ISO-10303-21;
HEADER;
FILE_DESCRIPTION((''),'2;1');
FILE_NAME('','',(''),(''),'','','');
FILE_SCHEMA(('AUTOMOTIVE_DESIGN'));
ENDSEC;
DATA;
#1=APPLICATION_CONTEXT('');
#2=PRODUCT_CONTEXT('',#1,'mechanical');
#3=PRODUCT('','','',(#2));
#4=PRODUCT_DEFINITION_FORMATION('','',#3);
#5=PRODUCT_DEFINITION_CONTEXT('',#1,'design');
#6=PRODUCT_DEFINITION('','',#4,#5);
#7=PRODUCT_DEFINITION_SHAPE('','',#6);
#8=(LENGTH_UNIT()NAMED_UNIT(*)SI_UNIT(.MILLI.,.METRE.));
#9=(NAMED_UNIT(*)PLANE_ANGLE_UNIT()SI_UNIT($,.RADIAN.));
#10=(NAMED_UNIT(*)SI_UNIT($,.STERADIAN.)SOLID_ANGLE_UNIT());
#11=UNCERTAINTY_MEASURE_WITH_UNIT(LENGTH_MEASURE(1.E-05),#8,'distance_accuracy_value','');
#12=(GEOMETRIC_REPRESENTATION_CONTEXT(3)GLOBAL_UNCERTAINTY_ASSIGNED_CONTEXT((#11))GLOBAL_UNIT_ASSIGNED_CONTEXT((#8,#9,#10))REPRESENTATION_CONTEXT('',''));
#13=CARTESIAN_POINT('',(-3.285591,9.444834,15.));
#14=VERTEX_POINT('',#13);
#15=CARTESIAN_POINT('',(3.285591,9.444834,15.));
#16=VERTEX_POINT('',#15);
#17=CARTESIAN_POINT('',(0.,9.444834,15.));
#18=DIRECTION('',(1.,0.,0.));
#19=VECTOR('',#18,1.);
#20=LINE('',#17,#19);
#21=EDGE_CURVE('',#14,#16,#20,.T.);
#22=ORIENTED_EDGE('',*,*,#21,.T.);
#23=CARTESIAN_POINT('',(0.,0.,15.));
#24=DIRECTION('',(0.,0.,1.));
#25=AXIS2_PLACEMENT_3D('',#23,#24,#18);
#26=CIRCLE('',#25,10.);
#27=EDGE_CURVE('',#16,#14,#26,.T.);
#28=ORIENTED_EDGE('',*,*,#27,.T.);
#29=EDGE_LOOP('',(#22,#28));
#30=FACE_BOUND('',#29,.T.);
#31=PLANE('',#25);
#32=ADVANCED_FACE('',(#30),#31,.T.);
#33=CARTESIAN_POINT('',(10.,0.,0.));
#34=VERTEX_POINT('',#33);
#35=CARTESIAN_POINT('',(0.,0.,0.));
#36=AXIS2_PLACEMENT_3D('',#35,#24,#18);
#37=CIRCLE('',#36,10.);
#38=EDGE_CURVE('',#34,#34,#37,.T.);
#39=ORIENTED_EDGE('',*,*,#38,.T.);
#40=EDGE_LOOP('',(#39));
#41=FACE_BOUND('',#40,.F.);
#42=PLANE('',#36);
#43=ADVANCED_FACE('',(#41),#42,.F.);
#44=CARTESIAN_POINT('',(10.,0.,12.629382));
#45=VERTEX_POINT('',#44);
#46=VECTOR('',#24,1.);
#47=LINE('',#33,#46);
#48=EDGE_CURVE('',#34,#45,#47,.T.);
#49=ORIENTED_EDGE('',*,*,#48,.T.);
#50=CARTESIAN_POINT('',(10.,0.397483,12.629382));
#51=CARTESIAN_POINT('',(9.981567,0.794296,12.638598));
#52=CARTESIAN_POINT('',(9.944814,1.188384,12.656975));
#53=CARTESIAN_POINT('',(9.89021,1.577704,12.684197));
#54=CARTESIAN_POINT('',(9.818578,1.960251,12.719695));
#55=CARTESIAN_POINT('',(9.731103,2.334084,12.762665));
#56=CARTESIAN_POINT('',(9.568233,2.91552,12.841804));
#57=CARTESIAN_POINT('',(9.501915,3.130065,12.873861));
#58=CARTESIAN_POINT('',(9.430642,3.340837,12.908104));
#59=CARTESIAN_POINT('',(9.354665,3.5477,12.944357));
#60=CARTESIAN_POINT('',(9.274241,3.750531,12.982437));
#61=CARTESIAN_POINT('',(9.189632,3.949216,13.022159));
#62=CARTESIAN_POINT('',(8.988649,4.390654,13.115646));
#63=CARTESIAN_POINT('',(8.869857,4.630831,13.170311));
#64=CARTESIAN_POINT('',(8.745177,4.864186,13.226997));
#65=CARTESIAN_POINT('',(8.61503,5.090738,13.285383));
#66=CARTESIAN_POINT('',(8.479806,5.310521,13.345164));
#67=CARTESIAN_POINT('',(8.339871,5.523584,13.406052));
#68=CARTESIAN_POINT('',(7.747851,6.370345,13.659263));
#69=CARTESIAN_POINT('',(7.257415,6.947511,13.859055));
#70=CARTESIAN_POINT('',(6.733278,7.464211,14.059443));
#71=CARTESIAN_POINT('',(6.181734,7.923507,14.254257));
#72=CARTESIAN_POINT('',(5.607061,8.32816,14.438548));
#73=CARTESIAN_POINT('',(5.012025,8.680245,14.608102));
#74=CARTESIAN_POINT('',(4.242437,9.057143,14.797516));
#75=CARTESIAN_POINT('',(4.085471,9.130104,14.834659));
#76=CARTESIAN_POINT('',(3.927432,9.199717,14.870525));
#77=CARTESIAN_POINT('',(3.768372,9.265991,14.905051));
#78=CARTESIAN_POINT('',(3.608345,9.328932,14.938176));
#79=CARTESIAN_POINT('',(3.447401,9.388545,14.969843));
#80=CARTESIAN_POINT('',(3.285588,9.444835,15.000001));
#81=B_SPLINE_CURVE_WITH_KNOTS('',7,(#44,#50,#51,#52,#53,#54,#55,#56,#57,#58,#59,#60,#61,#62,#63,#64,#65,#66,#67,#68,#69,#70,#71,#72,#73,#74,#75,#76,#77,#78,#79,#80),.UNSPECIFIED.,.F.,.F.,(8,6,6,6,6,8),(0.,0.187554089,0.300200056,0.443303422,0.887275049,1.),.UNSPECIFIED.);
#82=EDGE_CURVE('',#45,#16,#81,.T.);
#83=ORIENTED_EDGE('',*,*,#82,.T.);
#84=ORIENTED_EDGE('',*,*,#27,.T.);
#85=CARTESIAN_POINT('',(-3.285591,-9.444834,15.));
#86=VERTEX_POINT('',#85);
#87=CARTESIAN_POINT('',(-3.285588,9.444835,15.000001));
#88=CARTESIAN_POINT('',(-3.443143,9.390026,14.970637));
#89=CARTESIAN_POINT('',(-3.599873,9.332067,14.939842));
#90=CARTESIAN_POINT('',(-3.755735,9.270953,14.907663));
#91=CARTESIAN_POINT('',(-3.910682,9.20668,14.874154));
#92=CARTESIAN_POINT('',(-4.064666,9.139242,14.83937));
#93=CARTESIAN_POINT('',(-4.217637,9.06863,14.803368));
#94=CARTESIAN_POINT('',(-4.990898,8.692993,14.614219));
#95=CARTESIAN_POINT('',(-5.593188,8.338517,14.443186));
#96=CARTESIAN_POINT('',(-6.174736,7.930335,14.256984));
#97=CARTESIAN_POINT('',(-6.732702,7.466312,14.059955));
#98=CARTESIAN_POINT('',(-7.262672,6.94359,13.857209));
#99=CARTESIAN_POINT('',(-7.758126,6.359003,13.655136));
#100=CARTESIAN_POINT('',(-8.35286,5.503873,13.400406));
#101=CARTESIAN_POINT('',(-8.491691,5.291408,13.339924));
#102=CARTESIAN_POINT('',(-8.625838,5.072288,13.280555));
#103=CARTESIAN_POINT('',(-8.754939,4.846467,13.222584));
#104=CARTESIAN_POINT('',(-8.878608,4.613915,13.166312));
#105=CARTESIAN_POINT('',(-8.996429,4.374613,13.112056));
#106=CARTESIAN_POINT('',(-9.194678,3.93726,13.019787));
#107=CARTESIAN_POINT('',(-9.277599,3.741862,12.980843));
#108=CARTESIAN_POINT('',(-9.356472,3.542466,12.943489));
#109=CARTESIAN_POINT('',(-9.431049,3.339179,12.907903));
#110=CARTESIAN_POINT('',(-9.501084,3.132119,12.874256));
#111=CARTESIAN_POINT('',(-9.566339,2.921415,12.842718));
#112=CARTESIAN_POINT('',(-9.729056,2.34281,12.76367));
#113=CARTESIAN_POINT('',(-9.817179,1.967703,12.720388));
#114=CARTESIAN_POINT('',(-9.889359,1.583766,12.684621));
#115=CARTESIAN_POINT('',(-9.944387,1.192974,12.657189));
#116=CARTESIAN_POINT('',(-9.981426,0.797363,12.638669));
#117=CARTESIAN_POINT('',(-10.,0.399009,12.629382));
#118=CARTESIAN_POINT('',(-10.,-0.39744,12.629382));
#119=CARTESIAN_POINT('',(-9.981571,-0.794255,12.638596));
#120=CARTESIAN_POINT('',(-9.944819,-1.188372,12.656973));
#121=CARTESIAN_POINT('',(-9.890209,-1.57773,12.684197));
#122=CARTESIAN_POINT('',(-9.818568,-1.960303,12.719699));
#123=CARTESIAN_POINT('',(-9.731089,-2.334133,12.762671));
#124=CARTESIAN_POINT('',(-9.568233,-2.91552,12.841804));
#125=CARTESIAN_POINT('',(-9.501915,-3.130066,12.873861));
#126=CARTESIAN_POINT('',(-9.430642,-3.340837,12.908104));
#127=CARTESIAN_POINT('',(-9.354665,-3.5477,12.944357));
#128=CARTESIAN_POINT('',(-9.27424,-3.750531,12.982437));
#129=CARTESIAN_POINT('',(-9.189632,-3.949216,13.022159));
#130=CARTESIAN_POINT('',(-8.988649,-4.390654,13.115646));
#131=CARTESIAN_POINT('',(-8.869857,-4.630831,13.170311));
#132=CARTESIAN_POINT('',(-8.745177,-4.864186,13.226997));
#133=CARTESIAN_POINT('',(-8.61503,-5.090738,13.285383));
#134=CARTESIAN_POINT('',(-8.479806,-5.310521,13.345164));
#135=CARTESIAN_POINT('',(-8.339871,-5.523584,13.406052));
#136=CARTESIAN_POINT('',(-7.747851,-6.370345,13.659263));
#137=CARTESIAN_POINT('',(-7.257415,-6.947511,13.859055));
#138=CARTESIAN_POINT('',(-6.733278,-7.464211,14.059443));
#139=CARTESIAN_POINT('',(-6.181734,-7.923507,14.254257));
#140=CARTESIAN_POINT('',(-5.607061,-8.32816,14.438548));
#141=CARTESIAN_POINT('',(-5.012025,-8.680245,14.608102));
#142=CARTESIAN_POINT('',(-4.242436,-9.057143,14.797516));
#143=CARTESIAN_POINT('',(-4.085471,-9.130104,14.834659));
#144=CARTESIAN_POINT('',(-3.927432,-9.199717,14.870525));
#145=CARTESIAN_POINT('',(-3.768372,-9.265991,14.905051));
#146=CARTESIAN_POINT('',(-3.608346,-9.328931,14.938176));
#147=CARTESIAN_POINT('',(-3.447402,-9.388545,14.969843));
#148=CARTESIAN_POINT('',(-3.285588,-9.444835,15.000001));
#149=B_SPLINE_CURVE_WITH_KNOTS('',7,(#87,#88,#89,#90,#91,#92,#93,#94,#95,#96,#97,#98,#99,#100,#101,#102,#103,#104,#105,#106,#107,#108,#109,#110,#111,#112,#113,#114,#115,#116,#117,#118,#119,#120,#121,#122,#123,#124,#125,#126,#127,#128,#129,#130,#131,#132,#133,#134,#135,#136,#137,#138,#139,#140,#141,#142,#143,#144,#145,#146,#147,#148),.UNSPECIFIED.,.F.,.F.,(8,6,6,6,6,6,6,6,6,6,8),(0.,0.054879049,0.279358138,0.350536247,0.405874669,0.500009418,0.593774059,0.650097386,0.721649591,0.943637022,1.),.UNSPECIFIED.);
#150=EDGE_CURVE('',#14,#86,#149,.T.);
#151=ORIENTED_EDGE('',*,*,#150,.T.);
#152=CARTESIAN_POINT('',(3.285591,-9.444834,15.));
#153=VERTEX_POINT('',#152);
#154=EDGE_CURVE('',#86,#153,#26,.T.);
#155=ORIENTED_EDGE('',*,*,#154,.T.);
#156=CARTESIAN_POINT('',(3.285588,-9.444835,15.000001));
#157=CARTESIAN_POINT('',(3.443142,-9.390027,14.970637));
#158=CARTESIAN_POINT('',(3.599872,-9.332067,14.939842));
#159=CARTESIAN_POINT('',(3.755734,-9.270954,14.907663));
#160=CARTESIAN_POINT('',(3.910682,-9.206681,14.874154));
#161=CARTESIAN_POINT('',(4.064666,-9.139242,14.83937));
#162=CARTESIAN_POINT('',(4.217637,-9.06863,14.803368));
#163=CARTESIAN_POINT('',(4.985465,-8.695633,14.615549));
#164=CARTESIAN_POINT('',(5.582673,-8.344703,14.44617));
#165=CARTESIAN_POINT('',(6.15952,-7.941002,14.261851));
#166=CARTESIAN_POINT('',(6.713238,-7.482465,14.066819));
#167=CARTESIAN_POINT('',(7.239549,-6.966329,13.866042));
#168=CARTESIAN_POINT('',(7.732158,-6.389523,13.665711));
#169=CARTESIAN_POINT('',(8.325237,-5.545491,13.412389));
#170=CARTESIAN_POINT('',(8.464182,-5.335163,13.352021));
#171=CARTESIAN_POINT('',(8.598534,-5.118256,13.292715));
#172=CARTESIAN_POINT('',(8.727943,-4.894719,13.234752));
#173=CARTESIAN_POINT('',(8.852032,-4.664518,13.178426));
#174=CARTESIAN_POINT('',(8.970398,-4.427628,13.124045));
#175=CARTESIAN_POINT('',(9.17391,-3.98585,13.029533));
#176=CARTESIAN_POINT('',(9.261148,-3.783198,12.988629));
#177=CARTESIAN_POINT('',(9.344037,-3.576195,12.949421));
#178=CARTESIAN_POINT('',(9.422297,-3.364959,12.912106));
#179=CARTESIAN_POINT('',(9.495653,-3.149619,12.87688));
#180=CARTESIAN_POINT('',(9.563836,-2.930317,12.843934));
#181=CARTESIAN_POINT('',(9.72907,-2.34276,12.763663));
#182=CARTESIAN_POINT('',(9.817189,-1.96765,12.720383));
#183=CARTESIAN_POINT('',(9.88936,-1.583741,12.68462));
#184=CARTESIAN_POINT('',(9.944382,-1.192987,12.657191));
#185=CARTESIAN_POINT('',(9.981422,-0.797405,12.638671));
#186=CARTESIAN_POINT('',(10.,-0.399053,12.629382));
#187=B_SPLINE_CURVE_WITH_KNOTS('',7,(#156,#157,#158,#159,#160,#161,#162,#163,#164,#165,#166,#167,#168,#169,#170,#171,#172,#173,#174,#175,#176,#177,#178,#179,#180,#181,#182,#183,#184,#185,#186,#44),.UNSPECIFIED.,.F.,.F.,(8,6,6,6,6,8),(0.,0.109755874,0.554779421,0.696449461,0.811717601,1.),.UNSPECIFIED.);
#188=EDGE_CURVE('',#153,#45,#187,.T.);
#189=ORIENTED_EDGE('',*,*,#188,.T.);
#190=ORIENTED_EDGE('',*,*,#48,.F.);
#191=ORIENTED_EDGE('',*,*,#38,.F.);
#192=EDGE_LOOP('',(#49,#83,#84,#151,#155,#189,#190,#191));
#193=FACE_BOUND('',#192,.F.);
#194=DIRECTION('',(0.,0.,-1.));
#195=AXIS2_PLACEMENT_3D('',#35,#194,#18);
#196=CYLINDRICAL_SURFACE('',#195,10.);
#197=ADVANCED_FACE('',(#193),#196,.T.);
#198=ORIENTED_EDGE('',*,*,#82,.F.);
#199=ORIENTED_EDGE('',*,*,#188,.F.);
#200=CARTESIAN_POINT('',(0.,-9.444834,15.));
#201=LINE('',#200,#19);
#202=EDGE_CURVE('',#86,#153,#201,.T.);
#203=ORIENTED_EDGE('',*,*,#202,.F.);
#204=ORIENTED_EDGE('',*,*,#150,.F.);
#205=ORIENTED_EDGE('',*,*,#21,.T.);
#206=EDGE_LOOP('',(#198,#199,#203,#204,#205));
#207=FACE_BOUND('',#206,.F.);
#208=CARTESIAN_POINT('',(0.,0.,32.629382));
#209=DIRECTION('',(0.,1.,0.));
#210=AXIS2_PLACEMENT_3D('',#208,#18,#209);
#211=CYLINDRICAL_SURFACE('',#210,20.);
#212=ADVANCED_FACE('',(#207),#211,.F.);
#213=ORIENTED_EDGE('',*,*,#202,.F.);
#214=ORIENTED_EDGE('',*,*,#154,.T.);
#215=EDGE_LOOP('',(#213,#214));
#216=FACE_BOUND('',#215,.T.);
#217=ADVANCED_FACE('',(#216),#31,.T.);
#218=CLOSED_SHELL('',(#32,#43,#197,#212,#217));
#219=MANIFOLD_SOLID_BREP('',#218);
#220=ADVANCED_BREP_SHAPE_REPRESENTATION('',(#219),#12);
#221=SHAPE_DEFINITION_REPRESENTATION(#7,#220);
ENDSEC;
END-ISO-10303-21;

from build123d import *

# Parameters (mm, degrees)
F0_R     = 10
F1_DEPTH = 15
F2_R     = 20
F3_DEPTH = 30.3


with BuildPart() as f1:
    # F0 (on Top) → F1 (new body)
    with BuildSketch(Plane.XY):
        Circle(F0_R)
    extrude(amount=F1_DEPTH)

    # F2 (on Right) → F3 (cut, symmetric)
    with BuildSketch(Plane.YZ):
        with Locations((0, 32.629382)):
            Circle(F2_R)
    extrude(amount=F3_DEPTH, both=True, mode=Mode.SUBTRACT)


solid = f1.part
